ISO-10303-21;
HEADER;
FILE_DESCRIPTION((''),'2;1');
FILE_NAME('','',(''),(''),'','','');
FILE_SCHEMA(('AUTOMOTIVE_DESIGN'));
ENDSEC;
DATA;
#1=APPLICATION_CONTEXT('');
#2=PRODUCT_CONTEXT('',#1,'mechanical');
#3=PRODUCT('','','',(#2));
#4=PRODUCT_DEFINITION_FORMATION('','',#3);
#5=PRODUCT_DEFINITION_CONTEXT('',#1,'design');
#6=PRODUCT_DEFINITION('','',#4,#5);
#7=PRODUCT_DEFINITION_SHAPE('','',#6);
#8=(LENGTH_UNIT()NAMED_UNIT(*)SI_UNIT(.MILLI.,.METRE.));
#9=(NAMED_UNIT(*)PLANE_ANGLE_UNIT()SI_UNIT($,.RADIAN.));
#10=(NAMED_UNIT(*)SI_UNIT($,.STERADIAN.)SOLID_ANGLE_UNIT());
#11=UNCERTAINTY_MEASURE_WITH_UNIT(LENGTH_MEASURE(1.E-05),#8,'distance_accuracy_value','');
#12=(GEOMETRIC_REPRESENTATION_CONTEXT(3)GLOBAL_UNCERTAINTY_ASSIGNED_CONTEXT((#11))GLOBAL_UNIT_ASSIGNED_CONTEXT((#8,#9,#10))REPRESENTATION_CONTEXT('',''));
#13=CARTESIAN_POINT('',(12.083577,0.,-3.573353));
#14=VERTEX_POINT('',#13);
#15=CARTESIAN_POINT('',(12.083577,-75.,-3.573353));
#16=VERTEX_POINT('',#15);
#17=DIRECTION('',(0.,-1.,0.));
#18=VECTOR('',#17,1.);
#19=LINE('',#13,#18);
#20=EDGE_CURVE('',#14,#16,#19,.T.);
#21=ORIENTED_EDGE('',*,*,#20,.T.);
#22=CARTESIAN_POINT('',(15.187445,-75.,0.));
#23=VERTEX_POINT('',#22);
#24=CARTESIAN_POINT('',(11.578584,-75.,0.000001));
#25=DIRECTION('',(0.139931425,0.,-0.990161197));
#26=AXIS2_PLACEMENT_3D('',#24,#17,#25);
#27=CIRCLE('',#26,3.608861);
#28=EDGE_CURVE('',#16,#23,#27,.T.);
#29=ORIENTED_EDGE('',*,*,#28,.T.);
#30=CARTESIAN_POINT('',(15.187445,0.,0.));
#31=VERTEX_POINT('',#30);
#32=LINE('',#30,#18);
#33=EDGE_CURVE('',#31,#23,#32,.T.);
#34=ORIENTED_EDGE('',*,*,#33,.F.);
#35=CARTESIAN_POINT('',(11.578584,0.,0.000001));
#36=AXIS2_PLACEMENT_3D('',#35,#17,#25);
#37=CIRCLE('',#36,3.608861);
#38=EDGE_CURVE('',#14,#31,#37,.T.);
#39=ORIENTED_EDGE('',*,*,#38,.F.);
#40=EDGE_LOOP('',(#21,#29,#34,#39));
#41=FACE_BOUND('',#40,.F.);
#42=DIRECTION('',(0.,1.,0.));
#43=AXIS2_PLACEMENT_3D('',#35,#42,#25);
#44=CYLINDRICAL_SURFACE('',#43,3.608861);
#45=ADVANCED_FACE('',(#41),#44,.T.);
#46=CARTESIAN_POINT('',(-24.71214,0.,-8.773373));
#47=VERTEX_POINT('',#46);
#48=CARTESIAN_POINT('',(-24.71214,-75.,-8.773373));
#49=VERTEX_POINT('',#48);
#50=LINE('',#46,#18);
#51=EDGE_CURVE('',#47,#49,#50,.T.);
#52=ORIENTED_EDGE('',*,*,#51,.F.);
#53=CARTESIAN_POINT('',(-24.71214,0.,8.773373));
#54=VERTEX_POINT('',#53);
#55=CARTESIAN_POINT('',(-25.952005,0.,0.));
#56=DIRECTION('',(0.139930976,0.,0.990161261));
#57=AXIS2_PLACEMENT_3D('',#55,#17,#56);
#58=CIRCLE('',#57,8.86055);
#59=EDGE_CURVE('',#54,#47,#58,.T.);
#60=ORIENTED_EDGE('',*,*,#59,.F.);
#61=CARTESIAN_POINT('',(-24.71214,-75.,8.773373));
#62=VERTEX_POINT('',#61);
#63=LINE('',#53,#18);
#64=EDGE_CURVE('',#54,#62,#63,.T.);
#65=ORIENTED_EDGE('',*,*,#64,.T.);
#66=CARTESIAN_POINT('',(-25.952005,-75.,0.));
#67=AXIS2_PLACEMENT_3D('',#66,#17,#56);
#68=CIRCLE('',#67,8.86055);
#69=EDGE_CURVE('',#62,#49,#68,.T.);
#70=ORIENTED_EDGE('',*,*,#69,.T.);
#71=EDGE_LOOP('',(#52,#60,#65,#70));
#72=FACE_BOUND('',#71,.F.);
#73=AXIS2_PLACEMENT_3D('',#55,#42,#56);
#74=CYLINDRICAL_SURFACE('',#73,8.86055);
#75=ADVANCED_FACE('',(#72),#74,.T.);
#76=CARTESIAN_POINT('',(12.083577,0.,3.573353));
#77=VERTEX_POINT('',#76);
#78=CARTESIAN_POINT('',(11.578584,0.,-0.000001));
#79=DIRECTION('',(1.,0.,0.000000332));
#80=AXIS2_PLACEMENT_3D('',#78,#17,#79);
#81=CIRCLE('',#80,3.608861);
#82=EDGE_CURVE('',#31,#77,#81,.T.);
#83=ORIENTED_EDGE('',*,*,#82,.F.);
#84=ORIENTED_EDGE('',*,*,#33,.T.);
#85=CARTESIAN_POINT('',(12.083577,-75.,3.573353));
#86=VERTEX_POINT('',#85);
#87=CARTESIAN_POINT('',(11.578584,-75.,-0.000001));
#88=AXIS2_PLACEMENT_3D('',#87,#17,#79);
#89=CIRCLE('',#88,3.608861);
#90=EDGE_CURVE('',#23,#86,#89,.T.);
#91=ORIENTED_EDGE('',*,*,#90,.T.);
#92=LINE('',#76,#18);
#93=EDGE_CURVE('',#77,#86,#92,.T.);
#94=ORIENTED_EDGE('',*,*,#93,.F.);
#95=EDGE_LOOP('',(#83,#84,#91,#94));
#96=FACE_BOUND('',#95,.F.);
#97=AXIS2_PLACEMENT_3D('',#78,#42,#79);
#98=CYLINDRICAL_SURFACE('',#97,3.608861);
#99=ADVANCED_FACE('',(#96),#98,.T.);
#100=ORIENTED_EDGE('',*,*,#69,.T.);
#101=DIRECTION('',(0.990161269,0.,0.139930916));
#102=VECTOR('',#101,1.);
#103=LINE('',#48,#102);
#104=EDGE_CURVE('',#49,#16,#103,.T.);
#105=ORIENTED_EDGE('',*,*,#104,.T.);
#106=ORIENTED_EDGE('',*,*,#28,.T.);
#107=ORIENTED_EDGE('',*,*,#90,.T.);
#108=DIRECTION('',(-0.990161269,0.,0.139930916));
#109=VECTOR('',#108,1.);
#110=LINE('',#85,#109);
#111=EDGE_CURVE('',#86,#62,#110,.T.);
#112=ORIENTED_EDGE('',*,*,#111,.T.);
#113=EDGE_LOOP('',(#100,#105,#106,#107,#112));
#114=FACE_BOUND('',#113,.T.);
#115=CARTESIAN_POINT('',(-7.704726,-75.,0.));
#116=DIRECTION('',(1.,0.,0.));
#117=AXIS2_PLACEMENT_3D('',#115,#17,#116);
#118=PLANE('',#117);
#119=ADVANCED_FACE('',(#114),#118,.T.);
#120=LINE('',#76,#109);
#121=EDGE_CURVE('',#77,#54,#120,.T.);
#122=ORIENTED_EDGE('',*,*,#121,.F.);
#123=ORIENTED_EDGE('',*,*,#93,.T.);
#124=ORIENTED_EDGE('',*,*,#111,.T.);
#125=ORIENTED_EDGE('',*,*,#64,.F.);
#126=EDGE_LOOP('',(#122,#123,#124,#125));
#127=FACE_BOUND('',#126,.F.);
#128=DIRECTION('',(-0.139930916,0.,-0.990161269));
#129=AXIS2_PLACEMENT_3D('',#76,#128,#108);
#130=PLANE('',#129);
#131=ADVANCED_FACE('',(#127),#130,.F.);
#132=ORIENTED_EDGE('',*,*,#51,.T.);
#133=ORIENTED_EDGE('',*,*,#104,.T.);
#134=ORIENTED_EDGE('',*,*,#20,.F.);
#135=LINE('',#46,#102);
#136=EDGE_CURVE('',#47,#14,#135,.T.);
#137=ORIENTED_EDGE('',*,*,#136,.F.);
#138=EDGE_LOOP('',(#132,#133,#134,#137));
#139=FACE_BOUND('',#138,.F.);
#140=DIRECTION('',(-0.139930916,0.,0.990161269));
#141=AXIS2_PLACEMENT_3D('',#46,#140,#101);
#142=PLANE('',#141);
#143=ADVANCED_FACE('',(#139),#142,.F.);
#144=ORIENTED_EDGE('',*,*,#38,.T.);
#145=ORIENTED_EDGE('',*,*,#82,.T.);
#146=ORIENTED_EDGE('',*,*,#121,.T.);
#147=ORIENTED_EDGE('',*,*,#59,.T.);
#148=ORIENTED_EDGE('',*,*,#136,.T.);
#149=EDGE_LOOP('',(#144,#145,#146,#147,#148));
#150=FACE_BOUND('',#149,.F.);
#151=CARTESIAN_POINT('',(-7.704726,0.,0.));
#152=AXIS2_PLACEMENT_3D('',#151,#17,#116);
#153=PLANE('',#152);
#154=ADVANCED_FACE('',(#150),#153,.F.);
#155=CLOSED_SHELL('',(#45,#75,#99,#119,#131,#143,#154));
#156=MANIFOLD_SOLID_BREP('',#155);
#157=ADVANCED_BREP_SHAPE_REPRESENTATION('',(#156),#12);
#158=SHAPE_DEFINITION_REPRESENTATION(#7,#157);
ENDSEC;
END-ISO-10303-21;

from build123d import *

# Parameters (mm, degrees)
F1_DEPTH = 75


with BuildPart() as f1:
    # F0 (on Front) → F1 (new body)
    with BuildSketch(Plane.XZ):
        with BuildLine():
            ThreePointArc((-24.71214, 8.773373), (-19.262639, 5.810484), (-17.091455, 0))
            ThreePointArc((-17.091455, 0), (-19.262639, -5.810484), (-24.71214, -8.773373))
            Line((-24.71214, -8.773373), (12.083577, -3.573353))
            ThreePointArc((12.083577, -3.573353), (7.969726, 0), (12.083577, 3.573353))
            Line((12.083577, 3.573353), (-24.71214, 8.773373))
        make_face()
        with BuildLine():
            ThreePointArc((-24.71214, -8.773373), (-19.262639, -5.810484), (-17.091455, 0))
            ThreePointArc((-17.091455, 0), (-19.262639, 5.810484), (-24.71214, 8.773373))
            ThreePointArc((-24.71214, 8.773373), (-34.812555, 0), (-24.71214, -8.773373))
        make_face()
        with BuildLine():
            ThreePointArc((15.187445, 0), (14.303132, 2.366582), (12.083577, 3.573353))
            ThreePointArc((12.083577, 3.573353), (7.969726, 0), (12.083577, -3.573353))
            ThreePointArc((12.083577, -3.573353), (14.303132, -2.366582), (15.187445, 0))
        make_face()
    extrude(amount=F1_DEPTH)


solid = f1.part
